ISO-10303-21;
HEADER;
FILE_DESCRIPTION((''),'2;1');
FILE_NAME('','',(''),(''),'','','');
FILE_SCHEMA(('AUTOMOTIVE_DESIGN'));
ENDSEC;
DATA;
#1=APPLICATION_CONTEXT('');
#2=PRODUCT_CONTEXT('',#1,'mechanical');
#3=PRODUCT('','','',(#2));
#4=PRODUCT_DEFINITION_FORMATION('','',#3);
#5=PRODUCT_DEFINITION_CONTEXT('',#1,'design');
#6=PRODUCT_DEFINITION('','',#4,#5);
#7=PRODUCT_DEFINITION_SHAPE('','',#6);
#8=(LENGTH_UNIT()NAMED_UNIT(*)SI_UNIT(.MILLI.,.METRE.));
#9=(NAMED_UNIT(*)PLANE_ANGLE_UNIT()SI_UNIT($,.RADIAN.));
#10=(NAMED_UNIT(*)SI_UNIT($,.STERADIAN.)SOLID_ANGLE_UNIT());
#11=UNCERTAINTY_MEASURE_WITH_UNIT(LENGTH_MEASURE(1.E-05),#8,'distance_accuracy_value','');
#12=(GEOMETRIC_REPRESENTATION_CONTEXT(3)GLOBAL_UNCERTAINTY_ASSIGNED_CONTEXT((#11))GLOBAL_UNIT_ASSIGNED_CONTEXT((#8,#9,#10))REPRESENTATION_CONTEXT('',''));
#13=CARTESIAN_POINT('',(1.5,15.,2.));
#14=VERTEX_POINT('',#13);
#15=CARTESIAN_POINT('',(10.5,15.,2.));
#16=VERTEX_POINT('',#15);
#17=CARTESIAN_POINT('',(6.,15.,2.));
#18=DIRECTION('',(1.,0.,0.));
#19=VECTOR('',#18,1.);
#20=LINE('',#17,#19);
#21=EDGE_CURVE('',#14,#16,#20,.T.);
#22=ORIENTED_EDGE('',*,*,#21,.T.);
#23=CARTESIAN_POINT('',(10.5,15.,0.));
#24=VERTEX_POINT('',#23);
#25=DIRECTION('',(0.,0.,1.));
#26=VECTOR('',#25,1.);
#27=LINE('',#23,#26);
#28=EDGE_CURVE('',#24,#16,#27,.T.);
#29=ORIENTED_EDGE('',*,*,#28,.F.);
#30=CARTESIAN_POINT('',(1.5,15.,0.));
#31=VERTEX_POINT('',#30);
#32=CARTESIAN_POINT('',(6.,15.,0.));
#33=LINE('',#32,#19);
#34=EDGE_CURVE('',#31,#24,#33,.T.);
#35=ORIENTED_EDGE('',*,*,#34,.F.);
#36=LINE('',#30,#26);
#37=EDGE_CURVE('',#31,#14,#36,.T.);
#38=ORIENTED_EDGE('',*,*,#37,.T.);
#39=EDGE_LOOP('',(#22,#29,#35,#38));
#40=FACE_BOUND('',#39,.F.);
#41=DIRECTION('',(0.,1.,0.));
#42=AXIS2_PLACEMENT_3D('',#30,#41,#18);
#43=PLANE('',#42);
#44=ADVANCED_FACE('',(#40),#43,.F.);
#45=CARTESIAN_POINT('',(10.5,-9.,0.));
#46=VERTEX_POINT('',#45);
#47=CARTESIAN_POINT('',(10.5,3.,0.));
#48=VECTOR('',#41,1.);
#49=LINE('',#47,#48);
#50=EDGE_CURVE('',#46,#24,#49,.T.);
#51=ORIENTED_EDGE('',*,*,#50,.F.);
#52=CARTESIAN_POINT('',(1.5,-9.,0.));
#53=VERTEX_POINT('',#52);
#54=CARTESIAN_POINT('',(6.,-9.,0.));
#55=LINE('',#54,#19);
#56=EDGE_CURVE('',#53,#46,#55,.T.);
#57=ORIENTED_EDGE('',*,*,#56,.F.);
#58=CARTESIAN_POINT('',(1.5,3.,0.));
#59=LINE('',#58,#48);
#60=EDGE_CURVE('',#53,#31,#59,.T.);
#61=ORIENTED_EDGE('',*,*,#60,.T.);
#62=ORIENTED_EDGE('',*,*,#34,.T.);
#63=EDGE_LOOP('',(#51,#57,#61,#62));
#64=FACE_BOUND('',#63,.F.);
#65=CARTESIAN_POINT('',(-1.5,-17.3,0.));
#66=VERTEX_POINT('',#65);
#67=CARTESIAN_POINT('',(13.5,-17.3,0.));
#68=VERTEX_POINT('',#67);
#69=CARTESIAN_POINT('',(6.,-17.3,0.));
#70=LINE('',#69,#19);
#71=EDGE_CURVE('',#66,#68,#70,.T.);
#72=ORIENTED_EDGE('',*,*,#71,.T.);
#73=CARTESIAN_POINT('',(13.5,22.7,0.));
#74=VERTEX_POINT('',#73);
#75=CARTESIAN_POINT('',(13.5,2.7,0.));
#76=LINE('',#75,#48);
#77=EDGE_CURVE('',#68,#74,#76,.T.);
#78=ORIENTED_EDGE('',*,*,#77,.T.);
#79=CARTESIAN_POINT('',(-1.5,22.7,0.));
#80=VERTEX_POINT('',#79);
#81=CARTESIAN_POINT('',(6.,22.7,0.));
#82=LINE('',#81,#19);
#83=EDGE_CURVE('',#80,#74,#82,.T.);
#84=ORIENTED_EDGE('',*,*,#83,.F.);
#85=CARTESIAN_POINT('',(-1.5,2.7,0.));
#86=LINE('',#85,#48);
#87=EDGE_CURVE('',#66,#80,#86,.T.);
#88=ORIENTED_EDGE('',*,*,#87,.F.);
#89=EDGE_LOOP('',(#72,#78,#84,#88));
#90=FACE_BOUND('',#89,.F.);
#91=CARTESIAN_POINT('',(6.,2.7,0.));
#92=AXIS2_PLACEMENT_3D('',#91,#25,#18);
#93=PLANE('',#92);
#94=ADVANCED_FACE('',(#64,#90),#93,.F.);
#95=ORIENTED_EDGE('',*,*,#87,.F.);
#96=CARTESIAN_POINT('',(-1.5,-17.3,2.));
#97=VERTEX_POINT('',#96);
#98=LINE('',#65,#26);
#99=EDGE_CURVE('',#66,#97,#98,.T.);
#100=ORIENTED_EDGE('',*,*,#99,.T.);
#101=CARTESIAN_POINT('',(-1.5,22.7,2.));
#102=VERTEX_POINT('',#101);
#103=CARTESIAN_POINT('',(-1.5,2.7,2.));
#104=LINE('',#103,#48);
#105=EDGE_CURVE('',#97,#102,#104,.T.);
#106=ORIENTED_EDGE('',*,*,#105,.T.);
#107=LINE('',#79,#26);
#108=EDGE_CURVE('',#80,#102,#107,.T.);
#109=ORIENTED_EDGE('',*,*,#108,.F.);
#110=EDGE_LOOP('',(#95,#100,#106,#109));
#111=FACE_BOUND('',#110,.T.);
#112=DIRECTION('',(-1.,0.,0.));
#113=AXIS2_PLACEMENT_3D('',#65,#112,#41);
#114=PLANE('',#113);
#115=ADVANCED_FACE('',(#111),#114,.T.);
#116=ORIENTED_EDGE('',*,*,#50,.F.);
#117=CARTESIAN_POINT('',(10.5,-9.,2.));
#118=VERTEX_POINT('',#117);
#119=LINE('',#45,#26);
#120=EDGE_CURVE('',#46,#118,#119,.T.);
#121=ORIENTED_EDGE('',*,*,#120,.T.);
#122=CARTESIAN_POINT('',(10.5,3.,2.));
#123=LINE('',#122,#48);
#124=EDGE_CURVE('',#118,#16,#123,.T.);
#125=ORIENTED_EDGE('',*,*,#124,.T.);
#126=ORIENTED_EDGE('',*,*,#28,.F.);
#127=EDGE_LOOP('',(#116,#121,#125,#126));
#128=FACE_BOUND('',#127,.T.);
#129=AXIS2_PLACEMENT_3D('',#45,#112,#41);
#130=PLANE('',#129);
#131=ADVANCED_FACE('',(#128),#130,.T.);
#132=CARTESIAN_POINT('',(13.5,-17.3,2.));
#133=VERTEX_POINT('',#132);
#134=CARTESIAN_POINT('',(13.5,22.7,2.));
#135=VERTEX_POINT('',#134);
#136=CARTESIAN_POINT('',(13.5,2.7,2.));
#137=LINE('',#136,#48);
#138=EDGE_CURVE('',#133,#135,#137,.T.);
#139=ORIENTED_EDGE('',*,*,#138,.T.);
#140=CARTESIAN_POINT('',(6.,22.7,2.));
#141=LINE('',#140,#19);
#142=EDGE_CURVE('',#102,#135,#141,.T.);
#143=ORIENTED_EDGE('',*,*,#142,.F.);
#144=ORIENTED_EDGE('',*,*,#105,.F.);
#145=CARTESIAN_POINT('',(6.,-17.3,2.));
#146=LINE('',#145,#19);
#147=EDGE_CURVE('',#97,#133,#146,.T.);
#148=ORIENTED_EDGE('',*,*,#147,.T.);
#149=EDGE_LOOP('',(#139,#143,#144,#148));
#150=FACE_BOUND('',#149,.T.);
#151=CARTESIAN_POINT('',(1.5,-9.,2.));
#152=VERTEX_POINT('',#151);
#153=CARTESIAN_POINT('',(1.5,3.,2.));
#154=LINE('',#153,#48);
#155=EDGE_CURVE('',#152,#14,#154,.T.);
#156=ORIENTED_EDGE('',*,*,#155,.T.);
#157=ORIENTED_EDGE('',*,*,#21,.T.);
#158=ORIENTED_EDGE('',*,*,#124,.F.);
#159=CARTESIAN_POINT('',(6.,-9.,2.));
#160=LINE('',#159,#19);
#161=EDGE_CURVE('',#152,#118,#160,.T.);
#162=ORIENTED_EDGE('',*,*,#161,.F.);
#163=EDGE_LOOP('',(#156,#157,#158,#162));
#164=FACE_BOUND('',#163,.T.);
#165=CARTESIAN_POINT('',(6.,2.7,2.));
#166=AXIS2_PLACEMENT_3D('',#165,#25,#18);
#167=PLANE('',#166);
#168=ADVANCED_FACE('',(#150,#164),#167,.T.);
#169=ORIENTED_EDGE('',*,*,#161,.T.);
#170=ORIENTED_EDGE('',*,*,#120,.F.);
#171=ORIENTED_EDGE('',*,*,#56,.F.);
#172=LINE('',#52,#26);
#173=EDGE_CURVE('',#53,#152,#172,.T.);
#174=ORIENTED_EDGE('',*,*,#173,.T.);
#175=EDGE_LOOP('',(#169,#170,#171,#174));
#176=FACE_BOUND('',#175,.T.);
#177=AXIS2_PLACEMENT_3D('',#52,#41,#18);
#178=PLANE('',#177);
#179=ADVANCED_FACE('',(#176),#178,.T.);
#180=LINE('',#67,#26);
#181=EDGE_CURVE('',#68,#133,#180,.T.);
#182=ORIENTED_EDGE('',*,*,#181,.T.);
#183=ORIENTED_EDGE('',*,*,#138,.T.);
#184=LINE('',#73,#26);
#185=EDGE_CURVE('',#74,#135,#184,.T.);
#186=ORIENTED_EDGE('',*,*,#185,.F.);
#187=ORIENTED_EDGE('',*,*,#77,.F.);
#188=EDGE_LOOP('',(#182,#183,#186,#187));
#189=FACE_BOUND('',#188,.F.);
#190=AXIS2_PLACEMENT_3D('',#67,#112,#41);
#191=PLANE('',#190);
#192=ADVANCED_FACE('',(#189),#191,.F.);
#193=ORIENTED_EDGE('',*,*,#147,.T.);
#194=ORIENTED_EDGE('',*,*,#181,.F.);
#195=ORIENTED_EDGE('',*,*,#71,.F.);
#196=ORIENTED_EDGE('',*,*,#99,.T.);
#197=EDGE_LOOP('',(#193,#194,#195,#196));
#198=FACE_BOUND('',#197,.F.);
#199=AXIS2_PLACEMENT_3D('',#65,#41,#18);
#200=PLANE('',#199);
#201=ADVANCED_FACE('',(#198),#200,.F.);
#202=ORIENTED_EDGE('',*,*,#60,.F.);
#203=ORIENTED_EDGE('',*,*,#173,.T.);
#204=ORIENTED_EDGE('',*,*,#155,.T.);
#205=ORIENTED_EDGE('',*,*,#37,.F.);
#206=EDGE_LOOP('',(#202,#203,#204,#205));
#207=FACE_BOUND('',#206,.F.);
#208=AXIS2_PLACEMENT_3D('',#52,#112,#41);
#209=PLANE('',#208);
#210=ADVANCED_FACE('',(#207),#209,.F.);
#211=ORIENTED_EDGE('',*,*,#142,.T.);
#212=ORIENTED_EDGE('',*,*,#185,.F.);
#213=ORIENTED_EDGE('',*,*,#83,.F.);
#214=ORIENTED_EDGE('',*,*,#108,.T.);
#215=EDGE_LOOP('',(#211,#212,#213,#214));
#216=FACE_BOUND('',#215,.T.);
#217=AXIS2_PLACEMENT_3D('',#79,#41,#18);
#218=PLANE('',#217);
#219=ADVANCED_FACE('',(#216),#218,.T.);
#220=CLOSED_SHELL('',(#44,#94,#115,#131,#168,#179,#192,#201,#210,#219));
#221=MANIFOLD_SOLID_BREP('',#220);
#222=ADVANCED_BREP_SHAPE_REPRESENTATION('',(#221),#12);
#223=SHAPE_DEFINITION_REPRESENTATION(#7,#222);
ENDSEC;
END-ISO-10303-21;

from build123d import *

# Parameters (mm, degrees)
BOX013_W     = 9
BOX013_H     = 24
BOX013_DEPTH = 2
BOX012_W     = 15
BOX012_H     = 40
BOX012_DEPTH = 2


with BuildPart() as cube013:
    # Box013 → Box013 (new body)
    with BuildSketch(Plane(origin=(1.5, -9, 0), x_dir=(1, 0, 0), z_dir=(0, 0, 1))):
        with Locations((4.5, 12)):
            Rectangle(BOX013_W, BOX013_H)
    extrude(amount=BOX013_DEPTH)


with BuildPart() as tracklightconnbottomcover:
    # Box012 → Box012 (new body)
    with BuildSketch(Plane(origin=(-1.5, -17.3, 0), x_dir=(1, 0, 0), z_dir=(0, 0, 1))):
        with Locations((7.5, 20)):
            Rectangle(BOX012_W, BOX012_H)
    extrude(amount=BOX012_DEPTH)

    # Cut014: cut Cube013
    add(cube013.part, mode=Mode.SUBTRACT)


solid = tracklightconnbottomcover.part
